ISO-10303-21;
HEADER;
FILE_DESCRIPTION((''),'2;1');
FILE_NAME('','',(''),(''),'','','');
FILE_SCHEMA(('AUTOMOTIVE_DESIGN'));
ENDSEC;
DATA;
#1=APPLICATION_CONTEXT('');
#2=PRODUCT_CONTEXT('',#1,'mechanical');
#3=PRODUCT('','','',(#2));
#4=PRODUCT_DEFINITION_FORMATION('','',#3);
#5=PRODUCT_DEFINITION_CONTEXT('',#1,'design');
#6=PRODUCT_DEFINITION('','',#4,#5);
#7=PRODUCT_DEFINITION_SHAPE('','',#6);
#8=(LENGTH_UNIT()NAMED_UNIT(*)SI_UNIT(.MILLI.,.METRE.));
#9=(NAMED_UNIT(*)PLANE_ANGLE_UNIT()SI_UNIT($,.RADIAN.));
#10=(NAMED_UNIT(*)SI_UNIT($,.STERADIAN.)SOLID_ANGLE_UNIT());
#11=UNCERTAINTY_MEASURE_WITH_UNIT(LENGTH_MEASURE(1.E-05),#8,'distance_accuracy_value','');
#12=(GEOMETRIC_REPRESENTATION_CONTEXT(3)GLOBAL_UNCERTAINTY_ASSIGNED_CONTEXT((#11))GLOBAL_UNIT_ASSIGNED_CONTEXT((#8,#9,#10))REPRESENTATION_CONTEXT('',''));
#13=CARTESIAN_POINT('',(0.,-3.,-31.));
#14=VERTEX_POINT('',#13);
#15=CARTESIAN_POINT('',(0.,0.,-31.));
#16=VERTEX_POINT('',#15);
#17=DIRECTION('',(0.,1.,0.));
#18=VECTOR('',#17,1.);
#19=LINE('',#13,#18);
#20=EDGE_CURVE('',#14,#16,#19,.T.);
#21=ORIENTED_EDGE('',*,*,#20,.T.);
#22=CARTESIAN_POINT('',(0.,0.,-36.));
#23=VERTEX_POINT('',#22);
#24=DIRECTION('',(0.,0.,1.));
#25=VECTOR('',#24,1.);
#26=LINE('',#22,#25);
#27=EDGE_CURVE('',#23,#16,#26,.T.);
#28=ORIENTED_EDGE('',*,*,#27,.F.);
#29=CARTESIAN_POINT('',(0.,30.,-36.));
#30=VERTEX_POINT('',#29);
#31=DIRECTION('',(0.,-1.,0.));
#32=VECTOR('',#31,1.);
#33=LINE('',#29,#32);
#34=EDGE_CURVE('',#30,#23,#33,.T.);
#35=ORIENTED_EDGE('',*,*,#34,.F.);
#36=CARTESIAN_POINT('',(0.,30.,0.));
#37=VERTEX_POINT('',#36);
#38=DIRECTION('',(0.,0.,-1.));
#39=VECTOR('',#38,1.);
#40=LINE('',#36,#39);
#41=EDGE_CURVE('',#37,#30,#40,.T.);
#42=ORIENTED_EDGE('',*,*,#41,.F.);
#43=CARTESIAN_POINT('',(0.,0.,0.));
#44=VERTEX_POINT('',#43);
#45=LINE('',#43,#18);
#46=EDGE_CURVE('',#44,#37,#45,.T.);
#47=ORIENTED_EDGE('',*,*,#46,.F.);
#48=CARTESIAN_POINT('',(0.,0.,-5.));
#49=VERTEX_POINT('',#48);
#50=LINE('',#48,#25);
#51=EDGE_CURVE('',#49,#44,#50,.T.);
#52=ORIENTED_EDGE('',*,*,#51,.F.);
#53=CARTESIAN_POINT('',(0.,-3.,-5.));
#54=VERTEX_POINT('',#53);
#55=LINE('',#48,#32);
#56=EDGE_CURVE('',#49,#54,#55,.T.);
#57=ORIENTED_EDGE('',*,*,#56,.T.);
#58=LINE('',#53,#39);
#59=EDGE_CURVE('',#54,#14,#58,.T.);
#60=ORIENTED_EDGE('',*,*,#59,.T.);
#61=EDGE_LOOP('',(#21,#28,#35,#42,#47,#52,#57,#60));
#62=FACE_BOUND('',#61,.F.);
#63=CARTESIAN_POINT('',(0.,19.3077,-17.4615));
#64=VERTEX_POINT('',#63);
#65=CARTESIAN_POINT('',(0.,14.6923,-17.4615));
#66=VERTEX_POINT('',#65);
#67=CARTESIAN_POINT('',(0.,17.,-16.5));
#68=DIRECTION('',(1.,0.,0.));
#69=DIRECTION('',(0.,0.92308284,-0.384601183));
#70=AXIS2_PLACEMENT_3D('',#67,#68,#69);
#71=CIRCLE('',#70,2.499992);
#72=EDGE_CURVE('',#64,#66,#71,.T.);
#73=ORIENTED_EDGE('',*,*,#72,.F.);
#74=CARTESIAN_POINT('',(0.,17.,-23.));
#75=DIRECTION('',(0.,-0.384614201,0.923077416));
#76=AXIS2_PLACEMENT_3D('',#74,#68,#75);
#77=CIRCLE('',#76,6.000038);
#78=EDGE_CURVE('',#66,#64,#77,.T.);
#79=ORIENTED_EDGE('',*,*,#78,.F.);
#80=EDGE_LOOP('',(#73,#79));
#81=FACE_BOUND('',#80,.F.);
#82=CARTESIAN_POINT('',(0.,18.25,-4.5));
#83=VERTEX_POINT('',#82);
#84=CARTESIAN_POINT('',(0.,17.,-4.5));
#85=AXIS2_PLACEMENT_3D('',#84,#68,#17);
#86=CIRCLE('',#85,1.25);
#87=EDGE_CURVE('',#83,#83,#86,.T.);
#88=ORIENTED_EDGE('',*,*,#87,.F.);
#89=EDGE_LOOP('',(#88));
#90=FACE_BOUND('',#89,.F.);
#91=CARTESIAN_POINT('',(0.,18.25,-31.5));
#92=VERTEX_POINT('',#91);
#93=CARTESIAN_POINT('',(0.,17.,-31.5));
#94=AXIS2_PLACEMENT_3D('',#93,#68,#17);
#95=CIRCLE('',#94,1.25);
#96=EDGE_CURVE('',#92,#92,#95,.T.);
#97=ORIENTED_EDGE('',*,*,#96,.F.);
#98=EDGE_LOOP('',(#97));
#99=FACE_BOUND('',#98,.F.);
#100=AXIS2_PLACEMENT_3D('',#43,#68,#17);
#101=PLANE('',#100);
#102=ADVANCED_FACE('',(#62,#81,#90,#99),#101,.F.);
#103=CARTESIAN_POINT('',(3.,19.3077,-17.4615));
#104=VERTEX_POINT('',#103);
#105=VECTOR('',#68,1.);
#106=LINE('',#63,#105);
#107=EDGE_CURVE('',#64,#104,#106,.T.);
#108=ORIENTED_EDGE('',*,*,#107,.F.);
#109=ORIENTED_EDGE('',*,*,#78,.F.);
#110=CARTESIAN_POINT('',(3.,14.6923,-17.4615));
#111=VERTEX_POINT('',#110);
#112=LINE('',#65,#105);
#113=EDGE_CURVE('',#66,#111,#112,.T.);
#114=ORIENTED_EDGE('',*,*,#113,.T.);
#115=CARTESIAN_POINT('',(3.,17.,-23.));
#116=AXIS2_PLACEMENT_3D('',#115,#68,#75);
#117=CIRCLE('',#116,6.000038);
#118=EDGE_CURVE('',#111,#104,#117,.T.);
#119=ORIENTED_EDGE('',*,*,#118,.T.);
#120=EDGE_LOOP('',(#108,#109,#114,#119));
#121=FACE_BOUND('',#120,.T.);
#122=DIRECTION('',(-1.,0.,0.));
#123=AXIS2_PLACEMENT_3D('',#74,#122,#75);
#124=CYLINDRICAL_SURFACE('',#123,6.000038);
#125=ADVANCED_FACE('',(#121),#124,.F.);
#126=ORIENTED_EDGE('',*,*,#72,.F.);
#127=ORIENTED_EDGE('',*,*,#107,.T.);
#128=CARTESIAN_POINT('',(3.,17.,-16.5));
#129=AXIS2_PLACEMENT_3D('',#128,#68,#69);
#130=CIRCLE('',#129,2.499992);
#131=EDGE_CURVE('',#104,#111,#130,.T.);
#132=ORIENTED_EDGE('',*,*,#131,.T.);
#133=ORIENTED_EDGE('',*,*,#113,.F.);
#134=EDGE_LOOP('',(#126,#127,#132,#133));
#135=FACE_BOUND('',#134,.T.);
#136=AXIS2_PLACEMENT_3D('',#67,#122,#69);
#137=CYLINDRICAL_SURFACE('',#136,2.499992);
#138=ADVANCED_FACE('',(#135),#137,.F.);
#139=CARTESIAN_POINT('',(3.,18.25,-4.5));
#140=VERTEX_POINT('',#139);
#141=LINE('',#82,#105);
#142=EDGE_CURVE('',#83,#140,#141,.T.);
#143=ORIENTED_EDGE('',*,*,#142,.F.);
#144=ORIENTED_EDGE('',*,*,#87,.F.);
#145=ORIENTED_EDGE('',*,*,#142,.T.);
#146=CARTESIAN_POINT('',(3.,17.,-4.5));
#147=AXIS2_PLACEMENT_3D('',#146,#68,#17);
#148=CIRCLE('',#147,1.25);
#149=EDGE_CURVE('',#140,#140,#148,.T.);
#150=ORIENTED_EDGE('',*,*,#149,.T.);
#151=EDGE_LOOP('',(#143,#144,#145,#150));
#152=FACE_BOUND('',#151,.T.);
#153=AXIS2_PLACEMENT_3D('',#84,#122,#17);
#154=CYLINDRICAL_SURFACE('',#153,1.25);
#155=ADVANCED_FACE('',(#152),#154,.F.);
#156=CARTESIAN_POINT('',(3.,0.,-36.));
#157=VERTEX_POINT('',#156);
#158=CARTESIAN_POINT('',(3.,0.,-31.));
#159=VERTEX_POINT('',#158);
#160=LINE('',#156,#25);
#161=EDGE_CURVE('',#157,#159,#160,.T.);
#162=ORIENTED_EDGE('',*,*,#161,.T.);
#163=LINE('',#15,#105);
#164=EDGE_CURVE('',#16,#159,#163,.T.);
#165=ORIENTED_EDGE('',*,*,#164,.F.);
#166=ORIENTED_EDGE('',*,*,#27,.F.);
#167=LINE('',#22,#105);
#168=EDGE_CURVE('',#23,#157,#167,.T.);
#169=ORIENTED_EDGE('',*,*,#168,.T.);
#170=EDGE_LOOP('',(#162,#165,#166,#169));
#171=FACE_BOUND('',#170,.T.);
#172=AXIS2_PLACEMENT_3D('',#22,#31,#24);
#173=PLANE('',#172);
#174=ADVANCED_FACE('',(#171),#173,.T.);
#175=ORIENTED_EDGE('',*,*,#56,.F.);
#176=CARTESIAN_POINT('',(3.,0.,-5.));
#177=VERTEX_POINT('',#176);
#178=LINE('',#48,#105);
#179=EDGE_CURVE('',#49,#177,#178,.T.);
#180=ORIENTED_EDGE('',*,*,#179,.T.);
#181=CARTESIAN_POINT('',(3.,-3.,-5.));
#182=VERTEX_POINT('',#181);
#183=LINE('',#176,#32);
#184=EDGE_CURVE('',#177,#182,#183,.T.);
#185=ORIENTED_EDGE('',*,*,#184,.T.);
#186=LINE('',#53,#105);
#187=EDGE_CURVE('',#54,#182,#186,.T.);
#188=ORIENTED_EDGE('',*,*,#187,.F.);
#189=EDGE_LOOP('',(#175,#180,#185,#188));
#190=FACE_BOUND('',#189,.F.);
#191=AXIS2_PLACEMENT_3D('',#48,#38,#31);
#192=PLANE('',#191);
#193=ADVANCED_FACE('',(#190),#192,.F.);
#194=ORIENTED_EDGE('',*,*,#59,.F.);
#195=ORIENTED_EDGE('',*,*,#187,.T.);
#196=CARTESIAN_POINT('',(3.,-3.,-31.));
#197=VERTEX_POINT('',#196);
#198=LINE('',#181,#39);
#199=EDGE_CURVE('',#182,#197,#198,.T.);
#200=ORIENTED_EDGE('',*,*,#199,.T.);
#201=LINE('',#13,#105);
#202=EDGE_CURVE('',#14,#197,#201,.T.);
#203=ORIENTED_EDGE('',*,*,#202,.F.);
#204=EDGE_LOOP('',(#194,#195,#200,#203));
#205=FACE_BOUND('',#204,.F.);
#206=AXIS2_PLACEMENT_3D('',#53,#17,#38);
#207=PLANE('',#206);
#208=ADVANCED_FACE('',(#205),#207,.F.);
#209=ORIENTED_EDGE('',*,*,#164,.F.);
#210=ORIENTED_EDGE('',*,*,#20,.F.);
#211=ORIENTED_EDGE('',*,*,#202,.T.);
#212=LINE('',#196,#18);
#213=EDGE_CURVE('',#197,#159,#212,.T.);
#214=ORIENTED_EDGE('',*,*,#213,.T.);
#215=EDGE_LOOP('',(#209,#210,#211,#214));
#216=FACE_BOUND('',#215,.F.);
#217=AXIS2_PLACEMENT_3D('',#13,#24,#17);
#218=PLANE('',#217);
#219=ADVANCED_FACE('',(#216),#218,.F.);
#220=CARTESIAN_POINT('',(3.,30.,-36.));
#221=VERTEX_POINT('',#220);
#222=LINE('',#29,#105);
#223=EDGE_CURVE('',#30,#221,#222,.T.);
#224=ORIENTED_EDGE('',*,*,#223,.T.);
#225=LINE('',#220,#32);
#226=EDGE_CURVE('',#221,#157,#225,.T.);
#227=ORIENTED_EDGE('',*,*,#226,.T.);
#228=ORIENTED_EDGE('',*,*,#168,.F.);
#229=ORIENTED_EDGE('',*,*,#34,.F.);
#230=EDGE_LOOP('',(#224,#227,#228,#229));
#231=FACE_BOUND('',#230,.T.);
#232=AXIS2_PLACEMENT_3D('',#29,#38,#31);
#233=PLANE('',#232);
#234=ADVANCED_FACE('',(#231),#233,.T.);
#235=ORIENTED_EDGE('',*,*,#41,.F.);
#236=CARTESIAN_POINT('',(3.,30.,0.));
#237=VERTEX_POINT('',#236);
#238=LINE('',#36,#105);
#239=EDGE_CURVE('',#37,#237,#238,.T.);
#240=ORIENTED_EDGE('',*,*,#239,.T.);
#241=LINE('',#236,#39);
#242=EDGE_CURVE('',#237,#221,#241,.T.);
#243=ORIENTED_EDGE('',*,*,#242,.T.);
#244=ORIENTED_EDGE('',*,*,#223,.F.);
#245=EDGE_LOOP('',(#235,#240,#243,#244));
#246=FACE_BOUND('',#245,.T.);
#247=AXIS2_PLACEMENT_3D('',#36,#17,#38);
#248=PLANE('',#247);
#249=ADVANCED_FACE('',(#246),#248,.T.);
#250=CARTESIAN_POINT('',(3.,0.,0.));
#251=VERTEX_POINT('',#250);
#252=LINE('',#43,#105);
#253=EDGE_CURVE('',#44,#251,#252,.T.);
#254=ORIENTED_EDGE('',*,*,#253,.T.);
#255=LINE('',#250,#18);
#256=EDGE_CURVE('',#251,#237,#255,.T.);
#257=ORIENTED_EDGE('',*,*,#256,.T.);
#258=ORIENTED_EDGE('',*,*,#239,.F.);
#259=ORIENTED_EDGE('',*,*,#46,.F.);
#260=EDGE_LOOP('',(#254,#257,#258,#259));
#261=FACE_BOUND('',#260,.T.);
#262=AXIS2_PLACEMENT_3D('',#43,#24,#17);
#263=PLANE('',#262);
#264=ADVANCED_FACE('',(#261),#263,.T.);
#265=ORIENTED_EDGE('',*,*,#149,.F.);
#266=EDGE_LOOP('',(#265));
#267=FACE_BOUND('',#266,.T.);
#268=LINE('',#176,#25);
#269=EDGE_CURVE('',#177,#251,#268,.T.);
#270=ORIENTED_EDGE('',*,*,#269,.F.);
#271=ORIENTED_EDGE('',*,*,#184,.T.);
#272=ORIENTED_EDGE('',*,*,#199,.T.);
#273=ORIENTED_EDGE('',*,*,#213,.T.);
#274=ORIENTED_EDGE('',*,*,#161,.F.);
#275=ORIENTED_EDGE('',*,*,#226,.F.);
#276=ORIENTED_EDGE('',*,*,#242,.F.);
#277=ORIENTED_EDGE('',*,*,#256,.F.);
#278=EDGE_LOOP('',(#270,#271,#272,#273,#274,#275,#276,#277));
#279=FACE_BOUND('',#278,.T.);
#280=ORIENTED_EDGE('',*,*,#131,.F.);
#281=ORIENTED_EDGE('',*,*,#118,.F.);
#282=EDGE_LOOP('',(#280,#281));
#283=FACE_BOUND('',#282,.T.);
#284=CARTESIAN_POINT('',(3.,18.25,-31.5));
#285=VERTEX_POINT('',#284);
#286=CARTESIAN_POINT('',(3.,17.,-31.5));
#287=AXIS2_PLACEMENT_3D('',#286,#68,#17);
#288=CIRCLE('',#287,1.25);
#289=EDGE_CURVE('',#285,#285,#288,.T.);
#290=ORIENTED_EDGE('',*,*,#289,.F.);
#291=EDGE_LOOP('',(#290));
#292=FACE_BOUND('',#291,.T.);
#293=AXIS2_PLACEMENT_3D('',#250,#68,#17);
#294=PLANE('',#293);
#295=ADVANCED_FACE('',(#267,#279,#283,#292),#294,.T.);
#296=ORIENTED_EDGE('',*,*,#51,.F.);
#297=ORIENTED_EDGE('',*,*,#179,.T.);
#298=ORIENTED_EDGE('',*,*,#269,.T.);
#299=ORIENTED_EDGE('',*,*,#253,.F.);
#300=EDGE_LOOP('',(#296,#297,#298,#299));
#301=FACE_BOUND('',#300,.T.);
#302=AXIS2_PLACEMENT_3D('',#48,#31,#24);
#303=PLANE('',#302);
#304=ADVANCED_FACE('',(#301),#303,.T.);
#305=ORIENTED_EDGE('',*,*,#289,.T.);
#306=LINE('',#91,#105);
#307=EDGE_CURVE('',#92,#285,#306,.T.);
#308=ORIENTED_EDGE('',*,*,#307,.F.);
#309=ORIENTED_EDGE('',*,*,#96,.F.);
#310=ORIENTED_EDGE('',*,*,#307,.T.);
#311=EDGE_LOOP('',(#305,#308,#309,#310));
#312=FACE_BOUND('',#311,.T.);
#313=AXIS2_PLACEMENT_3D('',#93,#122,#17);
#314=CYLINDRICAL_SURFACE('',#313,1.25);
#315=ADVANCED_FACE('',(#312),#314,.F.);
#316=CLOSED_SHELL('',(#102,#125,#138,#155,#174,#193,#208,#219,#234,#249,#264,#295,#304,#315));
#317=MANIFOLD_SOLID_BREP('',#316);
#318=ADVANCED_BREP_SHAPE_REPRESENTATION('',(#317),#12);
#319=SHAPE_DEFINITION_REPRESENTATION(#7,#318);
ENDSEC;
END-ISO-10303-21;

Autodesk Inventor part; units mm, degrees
ref_plane "YZ Plane" through (0, 0, 0) normal (1, 0, 0) x (0, 1, 0)
ref_plane "XZ Plane" through (0, 0, 0) normal (0, 1, 0) x (-1, 0, 0)
ref_plane "XY Plane" through (0, 0, 0) normal (0, 0, 1) x (1, 0, 0)
sketch "Szkic1" plane through (0, 0, 0) normal (0, 1, 0) x (-1, 0, 0)
  point P0 (0, 0)
sketch "Szkic2" plane through (0, 0, 0) normal (1, 0, 0) x (0, 1, 0)
  point P0 (0, 0)
sketch "Szkic3" plane through (0, 0, 0) normal (1, 0, 0) x (0, 1, 0)
  line L0 (0, 0) -> (30, 0)
  line L1 (30, 0) -> (30, -36)
  line L2 (30, -36) -> (0, -36)
  line L3 (0, -5) -> (-3, -5)
  line L4 (-3, -5) -> (-3, -31)
  line L5 (-3, -31) -> (0, -31)
  line L6 (0, -36) -> (0, -31)
  line L7 (0, -5) -> (0, 0)
  arc A0 (14.6923, -17.4615) -> (19.3077, -17.4615) centre (17, -23) ccw
  arc A1 (19.3077, -17.4615) -> (14.6923, -17.4615) centre (17, -16.5) ccw
  circle A2 centre (17, -31.5) radius 1.25
  circle A3 centre (17, -4.5) radius 1.25
  dimension "d1" = 36
  dimension "d4" = 5
  dimension "d5" = 26
  dimension "d6" = 3
  dimension "d7" = 30
  dimension "d8" = 13
  dimension "d9" = 13
  dimension "d10" = 4.5
  dimension "d11" = 4.5
  dimension "d12" = 6.5
  dimension "d13" = 12
  dimension "d14" = 5
  dimension "d15" = 2.5
  dimension "d16" = 2.5
extrude "Wyciągnięcie proste1" add sketch "Szkic3" along normal blind 3
properties part number "Podstawa-mocowanie serwa" material "Drewno (wiśnia)"
